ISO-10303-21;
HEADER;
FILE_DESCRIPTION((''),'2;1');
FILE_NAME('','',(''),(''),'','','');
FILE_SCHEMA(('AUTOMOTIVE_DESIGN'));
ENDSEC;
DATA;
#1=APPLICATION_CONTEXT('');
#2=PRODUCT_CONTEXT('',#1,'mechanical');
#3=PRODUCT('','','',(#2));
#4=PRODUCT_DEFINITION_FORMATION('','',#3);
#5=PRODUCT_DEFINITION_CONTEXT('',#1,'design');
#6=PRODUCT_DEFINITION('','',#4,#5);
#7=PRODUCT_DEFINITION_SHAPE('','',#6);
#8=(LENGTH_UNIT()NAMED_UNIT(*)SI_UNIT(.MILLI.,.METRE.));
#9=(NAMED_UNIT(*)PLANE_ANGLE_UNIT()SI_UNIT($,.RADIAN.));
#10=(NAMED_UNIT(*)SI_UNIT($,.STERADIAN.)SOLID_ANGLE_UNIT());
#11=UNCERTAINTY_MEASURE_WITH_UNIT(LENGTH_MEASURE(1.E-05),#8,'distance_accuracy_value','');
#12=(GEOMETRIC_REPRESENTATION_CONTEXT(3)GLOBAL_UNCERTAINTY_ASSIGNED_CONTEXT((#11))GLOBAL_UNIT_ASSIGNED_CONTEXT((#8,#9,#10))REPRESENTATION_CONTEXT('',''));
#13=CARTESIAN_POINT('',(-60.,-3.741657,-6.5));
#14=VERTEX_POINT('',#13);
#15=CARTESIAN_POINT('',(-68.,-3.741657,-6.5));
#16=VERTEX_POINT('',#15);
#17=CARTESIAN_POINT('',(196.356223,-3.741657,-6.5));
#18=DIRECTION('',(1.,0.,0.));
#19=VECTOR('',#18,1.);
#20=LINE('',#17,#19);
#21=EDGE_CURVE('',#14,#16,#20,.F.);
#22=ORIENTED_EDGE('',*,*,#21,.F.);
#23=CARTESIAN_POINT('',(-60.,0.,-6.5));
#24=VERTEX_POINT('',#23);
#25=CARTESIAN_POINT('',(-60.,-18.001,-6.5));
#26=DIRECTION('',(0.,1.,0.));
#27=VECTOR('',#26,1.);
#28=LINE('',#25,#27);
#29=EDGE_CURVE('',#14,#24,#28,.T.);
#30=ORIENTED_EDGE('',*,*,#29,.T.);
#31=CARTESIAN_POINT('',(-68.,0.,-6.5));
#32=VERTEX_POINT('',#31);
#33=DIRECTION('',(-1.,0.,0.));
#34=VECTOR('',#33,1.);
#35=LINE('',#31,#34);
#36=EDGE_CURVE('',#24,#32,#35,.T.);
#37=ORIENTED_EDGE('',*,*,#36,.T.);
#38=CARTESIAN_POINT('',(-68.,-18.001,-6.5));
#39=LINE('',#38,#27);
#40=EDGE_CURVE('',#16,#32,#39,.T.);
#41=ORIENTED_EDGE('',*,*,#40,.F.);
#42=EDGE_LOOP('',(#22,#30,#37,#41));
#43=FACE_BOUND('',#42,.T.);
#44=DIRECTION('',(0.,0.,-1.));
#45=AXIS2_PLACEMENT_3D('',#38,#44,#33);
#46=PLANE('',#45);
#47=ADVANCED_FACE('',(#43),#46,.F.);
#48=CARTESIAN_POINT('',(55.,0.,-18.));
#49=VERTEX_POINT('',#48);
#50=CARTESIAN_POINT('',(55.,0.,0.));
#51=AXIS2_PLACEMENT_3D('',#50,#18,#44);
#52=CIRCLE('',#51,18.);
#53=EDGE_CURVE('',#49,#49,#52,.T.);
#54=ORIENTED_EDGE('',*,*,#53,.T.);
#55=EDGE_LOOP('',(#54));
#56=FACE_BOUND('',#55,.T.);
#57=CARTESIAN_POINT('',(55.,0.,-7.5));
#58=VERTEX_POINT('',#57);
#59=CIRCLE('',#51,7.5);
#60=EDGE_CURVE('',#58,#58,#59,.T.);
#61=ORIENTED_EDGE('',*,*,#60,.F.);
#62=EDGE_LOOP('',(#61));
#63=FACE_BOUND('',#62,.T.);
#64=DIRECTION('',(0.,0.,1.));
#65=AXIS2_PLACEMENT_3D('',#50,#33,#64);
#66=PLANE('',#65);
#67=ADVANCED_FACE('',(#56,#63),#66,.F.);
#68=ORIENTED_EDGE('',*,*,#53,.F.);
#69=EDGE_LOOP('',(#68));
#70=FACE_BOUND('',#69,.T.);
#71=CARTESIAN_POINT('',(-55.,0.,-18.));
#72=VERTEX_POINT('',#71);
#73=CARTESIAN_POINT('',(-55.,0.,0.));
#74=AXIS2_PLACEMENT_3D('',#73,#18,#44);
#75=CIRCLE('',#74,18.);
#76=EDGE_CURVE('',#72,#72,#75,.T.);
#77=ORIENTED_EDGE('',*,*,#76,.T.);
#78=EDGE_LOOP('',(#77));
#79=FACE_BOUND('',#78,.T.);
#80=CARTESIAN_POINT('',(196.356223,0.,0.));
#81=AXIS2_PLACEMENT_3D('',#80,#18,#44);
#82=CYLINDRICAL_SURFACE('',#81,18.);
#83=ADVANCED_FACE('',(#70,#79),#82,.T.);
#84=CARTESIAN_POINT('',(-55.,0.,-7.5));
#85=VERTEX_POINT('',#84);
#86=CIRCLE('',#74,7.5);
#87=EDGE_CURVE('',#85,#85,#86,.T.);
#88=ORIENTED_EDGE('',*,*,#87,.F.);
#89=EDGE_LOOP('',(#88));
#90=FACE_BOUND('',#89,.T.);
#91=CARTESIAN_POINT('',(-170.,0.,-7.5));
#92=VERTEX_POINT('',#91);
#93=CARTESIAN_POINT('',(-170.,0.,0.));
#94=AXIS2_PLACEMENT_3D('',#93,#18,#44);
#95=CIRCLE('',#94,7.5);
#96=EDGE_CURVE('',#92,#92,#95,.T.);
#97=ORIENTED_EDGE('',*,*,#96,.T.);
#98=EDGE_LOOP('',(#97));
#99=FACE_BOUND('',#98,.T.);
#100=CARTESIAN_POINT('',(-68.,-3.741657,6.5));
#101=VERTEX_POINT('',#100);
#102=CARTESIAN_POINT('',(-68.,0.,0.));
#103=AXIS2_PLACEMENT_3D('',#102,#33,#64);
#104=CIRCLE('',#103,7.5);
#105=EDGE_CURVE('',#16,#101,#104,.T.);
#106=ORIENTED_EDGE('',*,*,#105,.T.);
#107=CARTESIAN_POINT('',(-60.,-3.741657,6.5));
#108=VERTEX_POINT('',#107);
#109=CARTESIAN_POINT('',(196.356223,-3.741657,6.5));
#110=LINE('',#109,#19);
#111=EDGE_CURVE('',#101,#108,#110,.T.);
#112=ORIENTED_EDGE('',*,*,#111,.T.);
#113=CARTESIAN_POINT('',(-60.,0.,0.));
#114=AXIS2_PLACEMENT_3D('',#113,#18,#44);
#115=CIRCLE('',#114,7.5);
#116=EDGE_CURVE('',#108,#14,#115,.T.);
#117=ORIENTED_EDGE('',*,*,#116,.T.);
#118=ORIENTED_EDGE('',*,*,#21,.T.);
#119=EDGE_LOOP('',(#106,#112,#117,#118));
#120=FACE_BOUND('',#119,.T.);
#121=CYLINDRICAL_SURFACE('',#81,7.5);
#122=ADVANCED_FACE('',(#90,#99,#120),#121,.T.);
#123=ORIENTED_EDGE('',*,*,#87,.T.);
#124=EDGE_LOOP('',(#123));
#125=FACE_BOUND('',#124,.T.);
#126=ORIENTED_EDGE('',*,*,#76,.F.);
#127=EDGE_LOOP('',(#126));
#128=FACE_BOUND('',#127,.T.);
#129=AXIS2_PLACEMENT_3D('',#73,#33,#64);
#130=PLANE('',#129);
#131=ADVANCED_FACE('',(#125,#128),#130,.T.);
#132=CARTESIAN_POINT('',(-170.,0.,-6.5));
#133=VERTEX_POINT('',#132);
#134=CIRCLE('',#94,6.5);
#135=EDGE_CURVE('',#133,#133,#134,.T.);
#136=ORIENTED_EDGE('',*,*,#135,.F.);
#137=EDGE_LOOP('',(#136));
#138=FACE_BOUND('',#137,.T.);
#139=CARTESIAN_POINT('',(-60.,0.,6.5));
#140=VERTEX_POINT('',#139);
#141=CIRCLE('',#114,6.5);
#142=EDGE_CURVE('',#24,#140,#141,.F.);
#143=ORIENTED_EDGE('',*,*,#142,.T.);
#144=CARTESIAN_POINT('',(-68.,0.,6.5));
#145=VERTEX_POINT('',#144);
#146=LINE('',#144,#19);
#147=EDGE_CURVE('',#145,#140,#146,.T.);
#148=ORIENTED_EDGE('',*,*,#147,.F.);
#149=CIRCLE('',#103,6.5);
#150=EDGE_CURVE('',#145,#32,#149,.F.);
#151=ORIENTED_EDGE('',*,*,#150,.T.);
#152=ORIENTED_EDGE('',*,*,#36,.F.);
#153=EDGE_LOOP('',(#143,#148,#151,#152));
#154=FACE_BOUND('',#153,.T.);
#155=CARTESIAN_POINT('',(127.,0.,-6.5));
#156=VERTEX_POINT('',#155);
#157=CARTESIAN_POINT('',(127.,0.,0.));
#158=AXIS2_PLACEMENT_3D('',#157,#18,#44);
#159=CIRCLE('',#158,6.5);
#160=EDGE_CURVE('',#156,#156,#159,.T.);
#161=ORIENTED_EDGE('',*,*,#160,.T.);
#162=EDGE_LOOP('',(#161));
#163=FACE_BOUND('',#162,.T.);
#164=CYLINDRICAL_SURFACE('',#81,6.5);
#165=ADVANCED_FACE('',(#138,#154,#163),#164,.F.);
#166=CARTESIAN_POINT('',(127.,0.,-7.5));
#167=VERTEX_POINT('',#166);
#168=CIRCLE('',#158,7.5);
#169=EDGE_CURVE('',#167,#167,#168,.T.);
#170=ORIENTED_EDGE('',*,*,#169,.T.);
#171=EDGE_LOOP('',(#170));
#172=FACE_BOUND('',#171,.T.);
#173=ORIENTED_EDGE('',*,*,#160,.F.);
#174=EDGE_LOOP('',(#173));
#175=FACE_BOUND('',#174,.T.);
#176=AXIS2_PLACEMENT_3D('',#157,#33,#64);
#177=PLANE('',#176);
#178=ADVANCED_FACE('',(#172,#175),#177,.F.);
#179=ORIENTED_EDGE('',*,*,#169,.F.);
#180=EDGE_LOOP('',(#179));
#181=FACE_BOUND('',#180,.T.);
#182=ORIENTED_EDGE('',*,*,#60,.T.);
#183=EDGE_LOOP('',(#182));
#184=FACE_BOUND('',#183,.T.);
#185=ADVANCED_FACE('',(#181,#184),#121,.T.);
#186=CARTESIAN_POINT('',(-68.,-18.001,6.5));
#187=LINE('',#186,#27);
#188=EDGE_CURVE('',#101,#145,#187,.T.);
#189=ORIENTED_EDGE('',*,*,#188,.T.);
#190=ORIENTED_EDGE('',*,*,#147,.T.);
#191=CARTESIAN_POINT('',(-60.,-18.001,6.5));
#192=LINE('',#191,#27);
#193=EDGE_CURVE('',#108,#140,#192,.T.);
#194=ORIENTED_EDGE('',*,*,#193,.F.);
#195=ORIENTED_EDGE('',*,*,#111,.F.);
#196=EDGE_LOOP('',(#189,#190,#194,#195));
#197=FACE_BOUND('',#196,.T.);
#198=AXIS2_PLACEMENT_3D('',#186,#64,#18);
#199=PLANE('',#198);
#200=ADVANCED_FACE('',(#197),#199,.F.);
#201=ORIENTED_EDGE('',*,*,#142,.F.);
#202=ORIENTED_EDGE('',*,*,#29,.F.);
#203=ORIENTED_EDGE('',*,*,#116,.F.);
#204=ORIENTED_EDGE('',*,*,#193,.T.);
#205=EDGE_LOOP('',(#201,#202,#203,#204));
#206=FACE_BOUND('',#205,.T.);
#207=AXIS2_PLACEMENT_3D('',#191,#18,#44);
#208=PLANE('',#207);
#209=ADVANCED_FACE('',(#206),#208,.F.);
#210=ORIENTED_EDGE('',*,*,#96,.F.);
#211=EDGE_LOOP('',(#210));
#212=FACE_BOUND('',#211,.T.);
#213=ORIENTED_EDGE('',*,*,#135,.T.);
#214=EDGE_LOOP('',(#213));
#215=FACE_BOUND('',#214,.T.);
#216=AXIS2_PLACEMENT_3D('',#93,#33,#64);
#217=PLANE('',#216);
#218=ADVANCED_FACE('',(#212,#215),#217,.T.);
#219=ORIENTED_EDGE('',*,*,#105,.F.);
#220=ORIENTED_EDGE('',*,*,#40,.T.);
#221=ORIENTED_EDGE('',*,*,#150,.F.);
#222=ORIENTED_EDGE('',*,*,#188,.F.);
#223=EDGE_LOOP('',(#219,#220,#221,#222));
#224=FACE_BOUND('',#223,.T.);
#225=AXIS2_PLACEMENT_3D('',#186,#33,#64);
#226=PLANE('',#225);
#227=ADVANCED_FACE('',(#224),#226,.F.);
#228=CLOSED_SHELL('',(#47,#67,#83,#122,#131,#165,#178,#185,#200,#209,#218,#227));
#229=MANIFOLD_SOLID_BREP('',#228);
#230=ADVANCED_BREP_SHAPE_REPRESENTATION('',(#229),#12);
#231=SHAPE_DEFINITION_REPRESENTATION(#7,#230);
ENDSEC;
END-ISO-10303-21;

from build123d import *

# Parameters (mm, degrees)
CUT_EXTRUDE1_REACH      = 173.895
CUT_EXTRUDE1_END_RADIUS = 7.5
SKETCH2_W               = 8
SKETCH2_H               = 13


with BuildPart() as part:
    # Sketch1 → Revolve1 (revolve)
    with BuildSketch(Plane.XY, mode=Mode.PRIVATE) as revolve1_sk:
        Polygon((127, 6.5), (127, 7.5), (55, 7.5), (55, 18), (-55, 18), (-55, 7.5), (-170, 7.5), (-170, 6.5), align=None)
    revolve(revolve1_sk.sketch.rotate(Axis((196.356223274, 0, 0), (-1, 0, 0)), 90), axis=Axis((196.356223274, 0, 0), (-1, 0, 0)))

    # Cut-Extrude1: up to this cylinder (the profile starts inside it)
    cut_extrude1_end = Plane(origin=(-64, 0, 0), z_dir=(1, 0, 0)) * Cylinder(CUT_EXTRUDE1_END_RADIUS, 363.79, mode=Mode.PRIVATE)
    # Sketch2 → Cut-Extrude1 (cut, up to the surface)
    with BuildSketch(Plane(origin=(0, 0, 0), x_dir=(1, 0, 0), z_dir=(0, 1, 0)), mode=Mode.PRIVATE) as cut_extrude1_sk1:
        with Locations((-64, 0)):
            Rectangle(SKETCH2_W, SKETCH2_H)
    cut_extrude1_tool1 = extrude(cut_extrude1_sk1.sketch, amount=-CUT_EXTRUDE1_REACH, mode=Mode.PRIVATE) & cut_extrude1_end
    add(cut_extrude1_tool1.solids().sort_by_distance((-64, 0, 0))[0], mode=Mode.SUBTRACT)


solid = part.part
